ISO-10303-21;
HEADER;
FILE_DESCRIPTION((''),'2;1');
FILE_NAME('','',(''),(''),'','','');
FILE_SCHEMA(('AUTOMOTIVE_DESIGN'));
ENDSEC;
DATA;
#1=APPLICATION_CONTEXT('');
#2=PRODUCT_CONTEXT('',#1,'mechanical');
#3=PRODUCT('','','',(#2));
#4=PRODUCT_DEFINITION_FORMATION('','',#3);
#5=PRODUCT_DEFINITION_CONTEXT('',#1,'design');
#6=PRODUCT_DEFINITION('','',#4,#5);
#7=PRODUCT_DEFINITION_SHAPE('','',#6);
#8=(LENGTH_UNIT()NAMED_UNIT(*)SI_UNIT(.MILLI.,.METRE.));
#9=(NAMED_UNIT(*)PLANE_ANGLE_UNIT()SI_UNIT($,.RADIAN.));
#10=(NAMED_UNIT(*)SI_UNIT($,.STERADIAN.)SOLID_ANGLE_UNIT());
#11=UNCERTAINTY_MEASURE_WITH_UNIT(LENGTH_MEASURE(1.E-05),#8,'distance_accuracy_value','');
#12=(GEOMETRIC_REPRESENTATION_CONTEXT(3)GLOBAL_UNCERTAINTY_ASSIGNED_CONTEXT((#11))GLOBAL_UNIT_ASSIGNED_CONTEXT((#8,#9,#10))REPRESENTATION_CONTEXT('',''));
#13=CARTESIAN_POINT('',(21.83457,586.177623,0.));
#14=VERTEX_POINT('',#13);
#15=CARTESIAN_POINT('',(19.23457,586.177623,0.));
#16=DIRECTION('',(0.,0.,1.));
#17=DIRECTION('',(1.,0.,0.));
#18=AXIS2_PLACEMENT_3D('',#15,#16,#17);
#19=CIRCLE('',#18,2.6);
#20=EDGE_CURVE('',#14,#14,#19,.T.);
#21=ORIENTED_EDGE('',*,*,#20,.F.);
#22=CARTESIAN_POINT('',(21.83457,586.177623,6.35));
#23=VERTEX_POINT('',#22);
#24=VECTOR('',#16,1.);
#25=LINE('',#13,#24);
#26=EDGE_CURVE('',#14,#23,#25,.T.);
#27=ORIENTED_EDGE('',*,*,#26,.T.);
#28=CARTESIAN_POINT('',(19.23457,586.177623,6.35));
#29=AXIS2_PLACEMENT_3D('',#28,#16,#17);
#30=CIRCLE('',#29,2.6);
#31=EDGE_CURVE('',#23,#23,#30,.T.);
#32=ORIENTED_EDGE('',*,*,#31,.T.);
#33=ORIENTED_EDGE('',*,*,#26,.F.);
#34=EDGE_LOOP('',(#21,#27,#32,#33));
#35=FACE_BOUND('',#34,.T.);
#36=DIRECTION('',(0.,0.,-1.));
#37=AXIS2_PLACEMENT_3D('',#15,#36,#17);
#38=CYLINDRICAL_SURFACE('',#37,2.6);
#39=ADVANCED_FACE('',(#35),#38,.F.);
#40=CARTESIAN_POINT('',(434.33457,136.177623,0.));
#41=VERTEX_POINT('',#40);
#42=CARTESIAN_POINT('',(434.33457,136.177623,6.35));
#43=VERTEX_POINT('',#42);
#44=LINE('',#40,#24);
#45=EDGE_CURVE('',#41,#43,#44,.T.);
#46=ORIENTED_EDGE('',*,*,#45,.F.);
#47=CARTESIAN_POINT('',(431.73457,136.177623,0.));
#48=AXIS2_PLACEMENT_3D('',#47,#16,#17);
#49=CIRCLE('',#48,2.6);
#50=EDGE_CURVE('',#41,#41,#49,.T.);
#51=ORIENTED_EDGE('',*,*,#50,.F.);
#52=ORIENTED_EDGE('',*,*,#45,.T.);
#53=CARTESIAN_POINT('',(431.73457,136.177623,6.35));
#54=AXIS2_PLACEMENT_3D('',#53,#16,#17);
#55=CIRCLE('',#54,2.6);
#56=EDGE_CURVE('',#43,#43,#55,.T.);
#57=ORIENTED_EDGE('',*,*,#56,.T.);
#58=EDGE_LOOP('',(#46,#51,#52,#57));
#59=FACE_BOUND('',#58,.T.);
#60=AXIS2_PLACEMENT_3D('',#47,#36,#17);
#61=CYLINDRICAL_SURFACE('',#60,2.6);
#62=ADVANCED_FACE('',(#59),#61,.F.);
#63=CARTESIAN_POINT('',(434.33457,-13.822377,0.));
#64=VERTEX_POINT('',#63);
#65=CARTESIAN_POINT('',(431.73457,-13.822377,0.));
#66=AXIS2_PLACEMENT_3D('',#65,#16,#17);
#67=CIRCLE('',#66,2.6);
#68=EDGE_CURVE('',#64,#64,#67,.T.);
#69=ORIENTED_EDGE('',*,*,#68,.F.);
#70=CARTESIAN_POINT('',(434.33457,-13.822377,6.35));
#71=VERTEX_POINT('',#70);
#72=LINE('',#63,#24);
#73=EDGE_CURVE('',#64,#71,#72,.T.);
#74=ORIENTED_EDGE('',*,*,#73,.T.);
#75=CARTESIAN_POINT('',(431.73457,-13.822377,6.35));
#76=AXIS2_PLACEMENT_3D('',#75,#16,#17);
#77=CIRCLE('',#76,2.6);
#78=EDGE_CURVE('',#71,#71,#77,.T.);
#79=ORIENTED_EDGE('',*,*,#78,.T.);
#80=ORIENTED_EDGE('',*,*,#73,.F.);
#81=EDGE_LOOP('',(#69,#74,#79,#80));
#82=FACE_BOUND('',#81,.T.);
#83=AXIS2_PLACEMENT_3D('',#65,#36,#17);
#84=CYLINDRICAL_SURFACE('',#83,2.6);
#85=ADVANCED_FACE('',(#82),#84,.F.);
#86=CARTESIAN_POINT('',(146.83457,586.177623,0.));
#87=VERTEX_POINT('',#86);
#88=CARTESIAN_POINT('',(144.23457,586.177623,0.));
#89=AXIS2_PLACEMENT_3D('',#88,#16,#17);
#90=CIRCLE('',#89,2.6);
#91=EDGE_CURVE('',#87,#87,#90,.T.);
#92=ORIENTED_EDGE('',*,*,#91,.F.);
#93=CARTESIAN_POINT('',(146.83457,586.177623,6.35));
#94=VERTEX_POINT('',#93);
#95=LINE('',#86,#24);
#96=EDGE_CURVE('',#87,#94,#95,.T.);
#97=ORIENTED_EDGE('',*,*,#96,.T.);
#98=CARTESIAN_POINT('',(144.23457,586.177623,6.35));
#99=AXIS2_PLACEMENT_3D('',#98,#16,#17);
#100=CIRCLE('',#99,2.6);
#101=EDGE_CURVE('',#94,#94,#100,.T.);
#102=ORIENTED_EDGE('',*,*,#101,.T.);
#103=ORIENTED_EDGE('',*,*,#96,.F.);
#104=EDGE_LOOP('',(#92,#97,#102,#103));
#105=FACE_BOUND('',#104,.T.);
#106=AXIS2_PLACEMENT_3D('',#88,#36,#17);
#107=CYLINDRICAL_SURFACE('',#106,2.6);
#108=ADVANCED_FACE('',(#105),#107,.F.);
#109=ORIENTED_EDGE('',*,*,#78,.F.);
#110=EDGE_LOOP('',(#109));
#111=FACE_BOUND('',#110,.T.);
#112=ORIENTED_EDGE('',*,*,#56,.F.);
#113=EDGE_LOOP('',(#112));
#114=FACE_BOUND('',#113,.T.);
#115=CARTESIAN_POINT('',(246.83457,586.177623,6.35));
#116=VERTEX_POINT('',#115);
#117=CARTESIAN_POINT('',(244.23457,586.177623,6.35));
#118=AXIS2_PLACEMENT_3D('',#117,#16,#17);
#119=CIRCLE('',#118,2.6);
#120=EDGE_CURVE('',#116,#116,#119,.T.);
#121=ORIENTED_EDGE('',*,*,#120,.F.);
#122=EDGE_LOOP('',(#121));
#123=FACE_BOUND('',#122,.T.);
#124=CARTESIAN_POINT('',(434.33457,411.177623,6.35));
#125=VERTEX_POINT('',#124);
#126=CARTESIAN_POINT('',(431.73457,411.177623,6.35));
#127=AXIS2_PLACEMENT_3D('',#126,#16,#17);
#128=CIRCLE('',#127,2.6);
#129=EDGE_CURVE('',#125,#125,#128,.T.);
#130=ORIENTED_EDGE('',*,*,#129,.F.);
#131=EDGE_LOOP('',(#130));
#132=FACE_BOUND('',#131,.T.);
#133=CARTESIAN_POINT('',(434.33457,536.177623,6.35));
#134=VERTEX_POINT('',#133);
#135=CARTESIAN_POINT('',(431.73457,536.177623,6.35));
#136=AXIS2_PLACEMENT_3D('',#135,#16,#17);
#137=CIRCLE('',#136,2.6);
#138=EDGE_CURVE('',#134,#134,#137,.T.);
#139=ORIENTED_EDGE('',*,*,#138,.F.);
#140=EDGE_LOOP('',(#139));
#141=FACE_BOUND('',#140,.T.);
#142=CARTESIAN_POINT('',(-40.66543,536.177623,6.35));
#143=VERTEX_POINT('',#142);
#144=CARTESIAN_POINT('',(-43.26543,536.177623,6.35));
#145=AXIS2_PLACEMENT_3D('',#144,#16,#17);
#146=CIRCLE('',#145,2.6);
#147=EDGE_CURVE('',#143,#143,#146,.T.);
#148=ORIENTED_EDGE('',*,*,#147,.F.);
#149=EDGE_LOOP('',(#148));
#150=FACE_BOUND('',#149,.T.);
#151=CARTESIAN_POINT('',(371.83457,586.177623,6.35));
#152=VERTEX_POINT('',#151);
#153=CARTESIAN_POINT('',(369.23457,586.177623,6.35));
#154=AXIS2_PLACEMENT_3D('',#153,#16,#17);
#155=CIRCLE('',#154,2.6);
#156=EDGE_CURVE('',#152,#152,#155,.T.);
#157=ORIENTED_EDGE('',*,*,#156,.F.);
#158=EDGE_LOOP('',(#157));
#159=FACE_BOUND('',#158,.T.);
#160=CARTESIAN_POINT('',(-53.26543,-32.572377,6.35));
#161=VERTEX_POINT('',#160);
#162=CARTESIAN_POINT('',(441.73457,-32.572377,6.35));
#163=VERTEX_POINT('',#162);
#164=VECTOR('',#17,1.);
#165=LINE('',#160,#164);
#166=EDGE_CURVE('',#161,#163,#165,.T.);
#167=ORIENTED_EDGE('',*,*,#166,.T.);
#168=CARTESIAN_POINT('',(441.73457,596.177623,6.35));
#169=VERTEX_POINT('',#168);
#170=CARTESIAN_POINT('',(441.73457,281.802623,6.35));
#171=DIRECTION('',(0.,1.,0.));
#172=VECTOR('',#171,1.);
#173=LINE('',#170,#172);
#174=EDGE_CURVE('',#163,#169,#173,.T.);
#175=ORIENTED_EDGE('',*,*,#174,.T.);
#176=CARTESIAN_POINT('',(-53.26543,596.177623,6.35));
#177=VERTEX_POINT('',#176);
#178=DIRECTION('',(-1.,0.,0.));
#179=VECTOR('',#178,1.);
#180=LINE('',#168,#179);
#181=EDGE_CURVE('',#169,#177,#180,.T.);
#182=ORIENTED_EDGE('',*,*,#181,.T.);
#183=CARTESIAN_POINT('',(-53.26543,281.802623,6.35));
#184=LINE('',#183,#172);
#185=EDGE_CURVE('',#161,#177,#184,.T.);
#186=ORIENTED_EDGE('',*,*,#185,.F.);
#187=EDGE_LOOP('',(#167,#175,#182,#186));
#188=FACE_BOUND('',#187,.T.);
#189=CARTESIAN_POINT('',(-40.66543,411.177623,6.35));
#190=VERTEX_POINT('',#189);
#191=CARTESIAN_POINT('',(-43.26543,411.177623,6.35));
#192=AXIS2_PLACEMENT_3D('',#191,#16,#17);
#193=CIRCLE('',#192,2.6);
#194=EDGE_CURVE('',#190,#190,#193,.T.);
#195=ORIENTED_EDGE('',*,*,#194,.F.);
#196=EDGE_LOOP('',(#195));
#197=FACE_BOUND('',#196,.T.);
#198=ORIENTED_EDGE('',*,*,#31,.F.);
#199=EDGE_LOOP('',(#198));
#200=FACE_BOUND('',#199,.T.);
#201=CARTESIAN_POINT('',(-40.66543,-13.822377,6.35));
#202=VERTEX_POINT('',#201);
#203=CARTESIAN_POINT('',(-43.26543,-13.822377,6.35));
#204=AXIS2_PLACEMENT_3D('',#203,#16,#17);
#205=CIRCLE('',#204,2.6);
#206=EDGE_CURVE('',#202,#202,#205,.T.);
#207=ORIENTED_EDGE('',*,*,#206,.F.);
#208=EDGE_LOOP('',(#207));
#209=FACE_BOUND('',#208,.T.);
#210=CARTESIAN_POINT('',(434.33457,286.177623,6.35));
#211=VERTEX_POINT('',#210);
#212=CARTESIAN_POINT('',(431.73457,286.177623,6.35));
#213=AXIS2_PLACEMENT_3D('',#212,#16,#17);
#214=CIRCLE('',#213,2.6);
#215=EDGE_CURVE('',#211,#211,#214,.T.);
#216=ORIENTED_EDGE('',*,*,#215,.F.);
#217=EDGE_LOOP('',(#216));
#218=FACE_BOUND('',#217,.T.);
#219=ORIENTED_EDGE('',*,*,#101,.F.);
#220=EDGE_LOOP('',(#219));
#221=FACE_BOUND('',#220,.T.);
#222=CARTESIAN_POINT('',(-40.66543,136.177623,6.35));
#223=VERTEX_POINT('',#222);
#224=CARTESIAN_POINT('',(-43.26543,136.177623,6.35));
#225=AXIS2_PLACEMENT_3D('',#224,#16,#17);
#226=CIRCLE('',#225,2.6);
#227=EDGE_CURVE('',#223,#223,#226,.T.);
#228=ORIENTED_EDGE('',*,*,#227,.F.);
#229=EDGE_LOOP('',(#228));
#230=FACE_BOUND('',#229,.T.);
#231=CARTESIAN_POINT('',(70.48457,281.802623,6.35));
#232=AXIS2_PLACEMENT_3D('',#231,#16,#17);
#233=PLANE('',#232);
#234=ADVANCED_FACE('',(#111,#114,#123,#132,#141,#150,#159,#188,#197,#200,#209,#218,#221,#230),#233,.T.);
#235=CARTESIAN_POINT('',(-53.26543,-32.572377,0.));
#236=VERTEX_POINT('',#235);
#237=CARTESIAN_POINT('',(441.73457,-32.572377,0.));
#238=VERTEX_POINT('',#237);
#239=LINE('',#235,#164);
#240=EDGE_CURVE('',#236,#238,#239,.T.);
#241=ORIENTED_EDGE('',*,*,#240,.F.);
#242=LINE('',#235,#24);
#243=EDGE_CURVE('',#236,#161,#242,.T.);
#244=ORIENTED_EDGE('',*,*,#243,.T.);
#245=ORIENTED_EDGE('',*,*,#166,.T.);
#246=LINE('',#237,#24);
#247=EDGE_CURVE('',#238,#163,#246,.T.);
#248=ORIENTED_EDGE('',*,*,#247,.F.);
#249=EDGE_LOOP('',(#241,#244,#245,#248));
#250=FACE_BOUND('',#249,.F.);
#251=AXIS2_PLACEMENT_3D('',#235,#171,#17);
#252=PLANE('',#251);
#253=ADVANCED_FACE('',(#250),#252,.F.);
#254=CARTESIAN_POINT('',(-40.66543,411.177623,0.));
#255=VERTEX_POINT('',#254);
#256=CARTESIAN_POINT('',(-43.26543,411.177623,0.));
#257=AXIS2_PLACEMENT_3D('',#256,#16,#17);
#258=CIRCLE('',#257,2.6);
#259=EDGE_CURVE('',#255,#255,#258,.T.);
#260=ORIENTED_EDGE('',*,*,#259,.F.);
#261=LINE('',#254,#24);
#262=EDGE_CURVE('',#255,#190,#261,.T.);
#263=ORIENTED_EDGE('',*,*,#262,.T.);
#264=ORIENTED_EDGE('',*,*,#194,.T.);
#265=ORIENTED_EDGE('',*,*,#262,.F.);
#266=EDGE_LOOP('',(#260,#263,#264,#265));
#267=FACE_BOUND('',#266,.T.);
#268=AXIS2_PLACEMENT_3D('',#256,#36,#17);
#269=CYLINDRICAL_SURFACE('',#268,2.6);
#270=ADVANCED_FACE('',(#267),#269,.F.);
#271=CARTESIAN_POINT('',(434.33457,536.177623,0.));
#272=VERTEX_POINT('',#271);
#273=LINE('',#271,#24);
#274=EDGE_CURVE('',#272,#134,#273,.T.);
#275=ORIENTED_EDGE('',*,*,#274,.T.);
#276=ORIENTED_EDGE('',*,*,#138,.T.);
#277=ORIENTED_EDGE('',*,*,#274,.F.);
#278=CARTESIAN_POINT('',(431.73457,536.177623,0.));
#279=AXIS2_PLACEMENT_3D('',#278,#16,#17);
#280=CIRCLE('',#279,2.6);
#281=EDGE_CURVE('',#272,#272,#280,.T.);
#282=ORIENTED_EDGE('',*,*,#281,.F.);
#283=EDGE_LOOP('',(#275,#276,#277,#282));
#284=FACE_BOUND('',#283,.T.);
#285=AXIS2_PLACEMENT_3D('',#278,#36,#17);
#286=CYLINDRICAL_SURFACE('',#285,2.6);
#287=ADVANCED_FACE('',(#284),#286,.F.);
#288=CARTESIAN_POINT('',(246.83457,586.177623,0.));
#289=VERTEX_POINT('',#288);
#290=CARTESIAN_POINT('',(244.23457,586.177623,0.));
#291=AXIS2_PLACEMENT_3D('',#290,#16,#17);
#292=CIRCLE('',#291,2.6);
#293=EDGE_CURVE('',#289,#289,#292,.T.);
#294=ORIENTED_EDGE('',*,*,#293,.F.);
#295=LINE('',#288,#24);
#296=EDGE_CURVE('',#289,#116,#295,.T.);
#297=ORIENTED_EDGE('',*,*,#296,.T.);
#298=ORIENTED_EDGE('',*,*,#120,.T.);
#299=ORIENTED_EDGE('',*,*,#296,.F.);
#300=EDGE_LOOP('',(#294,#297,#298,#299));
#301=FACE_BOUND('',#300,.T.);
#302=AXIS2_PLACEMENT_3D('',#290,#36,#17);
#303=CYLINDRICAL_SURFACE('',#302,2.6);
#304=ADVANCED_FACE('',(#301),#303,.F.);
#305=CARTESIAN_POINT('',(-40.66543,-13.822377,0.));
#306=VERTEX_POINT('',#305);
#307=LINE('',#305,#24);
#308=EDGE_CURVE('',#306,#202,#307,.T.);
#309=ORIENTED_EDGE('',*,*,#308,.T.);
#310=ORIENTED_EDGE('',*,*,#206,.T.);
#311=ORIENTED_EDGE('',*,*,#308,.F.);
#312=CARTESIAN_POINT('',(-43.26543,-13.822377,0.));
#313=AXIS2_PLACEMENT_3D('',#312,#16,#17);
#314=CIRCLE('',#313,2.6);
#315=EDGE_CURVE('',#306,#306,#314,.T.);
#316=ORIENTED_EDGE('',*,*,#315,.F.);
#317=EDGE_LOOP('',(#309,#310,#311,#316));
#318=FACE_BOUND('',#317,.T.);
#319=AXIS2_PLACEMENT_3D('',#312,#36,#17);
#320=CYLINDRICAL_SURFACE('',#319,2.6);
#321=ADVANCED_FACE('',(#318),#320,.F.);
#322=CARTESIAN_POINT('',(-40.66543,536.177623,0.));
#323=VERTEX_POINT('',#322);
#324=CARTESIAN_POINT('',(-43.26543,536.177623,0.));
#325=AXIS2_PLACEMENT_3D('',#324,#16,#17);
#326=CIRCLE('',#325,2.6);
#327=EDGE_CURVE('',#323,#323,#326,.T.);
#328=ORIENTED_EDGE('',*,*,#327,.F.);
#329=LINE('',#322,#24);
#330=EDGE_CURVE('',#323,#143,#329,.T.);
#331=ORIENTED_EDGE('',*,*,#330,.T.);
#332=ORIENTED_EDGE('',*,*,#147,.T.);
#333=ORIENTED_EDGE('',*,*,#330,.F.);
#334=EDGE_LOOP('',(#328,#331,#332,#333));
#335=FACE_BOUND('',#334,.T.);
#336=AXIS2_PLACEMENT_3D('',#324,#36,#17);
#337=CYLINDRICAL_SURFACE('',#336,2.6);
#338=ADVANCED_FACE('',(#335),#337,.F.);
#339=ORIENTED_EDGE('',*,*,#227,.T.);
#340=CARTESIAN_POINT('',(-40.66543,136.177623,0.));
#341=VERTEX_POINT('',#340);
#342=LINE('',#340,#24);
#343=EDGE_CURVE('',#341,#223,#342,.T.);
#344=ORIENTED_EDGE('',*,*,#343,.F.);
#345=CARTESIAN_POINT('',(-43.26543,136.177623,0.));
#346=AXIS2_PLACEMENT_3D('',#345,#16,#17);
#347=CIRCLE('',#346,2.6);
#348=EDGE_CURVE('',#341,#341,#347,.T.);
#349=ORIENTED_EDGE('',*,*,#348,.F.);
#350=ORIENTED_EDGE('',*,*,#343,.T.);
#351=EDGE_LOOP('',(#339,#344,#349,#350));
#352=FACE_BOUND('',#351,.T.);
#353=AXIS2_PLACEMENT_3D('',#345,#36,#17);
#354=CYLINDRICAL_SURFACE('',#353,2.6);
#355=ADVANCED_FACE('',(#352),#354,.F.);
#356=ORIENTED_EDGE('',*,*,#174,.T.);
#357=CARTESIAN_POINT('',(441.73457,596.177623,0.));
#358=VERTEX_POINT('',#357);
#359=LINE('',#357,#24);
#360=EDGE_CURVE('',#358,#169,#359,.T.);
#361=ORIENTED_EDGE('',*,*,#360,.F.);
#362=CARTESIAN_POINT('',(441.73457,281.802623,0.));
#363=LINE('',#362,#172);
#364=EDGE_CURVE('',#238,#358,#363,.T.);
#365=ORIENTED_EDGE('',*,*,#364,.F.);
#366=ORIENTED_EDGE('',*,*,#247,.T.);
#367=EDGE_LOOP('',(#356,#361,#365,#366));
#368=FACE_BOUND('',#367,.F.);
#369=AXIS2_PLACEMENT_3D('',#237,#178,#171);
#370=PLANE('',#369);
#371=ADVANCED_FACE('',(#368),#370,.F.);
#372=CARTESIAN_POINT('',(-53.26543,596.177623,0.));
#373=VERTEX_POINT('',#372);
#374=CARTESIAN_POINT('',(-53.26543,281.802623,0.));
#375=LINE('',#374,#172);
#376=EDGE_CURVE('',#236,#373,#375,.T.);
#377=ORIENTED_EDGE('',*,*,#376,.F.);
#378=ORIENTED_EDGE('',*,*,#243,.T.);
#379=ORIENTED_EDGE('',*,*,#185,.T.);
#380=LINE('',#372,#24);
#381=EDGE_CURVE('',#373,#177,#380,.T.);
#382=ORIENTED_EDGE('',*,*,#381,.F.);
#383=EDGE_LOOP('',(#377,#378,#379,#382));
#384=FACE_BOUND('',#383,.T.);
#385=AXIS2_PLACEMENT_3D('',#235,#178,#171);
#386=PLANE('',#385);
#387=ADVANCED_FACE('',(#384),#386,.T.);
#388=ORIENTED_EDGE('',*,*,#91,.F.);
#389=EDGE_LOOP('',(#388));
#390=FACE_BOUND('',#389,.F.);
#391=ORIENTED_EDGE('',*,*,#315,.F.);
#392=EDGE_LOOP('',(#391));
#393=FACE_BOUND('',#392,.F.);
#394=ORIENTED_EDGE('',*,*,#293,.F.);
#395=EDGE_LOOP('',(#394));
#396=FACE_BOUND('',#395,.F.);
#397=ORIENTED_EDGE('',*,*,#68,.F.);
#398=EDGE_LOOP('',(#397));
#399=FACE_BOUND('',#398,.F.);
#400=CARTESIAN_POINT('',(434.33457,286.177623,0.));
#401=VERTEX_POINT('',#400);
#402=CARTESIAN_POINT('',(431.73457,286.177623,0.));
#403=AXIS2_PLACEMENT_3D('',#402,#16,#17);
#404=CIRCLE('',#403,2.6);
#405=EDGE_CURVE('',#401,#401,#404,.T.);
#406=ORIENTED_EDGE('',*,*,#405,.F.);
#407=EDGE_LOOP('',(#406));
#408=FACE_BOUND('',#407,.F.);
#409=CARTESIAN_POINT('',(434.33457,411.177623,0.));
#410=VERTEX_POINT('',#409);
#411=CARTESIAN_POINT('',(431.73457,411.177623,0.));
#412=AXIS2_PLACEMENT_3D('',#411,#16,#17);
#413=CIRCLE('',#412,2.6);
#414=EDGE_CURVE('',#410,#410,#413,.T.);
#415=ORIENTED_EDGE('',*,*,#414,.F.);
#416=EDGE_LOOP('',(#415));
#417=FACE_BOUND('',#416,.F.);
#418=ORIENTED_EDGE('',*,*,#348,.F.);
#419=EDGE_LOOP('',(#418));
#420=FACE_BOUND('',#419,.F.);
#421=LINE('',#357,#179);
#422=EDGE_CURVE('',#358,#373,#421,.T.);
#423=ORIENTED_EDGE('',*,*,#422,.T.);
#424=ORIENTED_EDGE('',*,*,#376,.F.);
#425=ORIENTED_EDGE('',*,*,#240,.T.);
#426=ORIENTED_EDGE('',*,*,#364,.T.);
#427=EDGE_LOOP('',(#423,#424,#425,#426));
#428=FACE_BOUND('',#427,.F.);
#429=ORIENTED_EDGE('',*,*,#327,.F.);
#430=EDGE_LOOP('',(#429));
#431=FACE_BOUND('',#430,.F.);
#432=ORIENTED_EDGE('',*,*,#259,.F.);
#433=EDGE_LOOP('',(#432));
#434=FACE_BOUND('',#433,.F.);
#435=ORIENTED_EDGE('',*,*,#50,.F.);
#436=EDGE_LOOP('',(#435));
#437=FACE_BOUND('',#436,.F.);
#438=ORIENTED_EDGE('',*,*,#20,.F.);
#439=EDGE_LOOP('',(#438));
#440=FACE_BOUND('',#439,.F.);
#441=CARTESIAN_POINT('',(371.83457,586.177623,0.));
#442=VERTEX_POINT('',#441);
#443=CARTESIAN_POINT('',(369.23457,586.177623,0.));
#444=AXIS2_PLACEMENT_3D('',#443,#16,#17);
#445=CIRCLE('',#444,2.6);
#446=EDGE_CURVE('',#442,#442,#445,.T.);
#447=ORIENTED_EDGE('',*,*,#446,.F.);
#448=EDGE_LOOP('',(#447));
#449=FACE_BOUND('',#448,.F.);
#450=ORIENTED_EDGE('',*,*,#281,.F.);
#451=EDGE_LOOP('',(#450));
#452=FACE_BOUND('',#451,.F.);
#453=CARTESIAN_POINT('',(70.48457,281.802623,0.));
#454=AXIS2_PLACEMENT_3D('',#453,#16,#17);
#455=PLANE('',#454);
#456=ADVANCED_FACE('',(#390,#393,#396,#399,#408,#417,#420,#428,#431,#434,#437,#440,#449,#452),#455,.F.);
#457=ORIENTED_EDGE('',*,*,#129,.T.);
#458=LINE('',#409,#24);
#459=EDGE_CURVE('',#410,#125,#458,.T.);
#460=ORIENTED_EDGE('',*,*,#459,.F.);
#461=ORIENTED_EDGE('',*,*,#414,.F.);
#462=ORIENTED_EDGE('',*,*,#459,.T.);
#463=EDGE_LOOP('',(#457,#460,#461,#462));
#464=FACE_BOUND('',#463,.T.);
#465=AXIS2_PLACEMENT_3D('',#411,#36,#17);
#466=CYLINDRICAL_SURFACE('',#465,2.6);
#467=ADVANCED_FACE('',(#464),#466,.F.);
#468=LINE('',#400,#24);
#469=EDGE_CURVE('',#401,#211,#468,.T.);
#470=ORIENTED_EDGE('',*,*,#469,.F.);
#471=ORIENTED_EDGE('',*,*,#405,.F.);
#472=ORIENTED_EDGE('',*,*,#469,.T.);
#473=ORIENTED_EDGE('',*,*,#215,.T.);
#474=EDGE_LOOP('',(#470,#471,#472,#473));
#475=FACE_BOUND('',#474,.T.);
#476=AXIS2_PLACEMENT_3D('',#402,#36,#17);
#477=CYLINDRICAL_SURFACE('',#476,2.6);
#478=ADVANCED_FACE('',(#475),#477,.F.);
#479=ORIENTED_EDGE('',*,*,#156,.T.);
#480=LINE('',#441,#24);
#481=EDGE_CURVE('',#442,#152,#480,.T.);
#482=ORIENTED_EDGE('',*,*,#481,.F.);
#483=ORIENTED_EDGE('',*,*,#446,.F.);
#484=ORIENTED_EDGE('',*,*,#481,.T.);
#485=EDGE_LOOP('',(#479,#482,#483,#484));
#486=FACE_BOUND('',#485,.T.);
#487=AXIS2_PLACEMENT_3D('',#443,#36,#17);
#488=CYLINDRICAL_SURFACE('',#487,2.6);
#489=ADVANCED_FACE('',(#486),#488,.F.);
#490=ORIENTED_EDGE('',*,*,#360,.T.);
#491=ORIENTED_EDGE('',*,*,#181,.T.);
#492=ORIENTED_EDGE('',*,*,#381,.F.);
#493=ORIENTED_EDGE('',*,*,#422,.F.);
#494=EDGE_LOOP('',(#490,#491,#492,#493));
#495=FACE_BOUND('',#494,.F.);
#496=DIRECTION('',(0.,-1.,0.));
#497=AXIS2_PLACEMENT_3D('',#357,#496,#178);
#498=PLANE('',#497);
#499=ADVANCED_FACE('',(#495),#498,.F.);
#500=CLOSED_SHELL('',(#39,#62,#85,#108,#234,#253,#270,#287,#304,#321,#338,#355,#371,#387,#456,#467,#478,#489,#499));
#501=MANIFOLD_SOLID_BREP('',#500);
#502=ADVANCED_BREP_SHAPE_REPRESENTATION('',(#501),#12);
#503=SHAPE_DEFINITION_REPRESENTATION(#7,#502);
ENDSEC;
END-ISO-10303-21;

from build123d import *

# Parameters (mm, degrees)
F0_W     = 247.5
F0_H     = 628.75
F0_R     = 2.6
F1_DEPTH = 6.35


with BuildPart() as f1:
    # F0 (on Top) → F1 (new body)
    with BuildSketch(Plane.XY):
        with Locations((70.48457, 281.802623)):
            Rectangle(F0_W, F0_H)
        with Locations((-43.26543, -13.822377)):
            Circle(F0_R, mode=Mode.SUBTRACT)
        with Locations((-43.26543, 136.177623)):
            Circle(F0_R, mode=Mode.SUBTRACT)
        with Locations((-43.26543, 411.177623)):
            Circle(F0_R, mode=Mode.SUBTRACT)
        with Locations((-43.26543, 536.177623)):
            Circle(F0_R, mode=Mode.SUBTRACT)
        with Locations((19.23457, 586.177623)):
            Circle(F0_R, mode=Mode.SUBTRACT)
        with Locations((144.23457, 586.177623)):
            Circle(F0_R, mode=Mode.SUBTRACT)
        with Locations((317.98457, 281.802623)):
            Rectangle(F0_W, F0_H)
        with Locations((431.73457, -13.822377)):
            Circle(F0_R, mode=Mode.SUBTRACT)
        with Locations((431.73457, 136.177623)):
            Circle(F0_R, mode=Mode.SUBTRACT)
        with Locations((431.73457, 286.177623)):
            Circle(F0_R, mode=Mode.SUBTRACT)
        with Locations((431.73457, 411.177623)):
            Circle(F0_R, mode=Mode.SUBTRACT)
        with Locations((244.23457, 586.177623)):
            Circle(F0_R, mode=Mode.SUBTRACT)
        with Locations((369.23457, 586.177623)):
            Circle(F0_R, mode=Mode.SUBTRACT)
        with Locations((431.73457, 536.177623)):
            Circle(F0_R, mode=Mode.SUBTRACT)
    extrude(amount=F1_DEPTH)


solid = f1.part
